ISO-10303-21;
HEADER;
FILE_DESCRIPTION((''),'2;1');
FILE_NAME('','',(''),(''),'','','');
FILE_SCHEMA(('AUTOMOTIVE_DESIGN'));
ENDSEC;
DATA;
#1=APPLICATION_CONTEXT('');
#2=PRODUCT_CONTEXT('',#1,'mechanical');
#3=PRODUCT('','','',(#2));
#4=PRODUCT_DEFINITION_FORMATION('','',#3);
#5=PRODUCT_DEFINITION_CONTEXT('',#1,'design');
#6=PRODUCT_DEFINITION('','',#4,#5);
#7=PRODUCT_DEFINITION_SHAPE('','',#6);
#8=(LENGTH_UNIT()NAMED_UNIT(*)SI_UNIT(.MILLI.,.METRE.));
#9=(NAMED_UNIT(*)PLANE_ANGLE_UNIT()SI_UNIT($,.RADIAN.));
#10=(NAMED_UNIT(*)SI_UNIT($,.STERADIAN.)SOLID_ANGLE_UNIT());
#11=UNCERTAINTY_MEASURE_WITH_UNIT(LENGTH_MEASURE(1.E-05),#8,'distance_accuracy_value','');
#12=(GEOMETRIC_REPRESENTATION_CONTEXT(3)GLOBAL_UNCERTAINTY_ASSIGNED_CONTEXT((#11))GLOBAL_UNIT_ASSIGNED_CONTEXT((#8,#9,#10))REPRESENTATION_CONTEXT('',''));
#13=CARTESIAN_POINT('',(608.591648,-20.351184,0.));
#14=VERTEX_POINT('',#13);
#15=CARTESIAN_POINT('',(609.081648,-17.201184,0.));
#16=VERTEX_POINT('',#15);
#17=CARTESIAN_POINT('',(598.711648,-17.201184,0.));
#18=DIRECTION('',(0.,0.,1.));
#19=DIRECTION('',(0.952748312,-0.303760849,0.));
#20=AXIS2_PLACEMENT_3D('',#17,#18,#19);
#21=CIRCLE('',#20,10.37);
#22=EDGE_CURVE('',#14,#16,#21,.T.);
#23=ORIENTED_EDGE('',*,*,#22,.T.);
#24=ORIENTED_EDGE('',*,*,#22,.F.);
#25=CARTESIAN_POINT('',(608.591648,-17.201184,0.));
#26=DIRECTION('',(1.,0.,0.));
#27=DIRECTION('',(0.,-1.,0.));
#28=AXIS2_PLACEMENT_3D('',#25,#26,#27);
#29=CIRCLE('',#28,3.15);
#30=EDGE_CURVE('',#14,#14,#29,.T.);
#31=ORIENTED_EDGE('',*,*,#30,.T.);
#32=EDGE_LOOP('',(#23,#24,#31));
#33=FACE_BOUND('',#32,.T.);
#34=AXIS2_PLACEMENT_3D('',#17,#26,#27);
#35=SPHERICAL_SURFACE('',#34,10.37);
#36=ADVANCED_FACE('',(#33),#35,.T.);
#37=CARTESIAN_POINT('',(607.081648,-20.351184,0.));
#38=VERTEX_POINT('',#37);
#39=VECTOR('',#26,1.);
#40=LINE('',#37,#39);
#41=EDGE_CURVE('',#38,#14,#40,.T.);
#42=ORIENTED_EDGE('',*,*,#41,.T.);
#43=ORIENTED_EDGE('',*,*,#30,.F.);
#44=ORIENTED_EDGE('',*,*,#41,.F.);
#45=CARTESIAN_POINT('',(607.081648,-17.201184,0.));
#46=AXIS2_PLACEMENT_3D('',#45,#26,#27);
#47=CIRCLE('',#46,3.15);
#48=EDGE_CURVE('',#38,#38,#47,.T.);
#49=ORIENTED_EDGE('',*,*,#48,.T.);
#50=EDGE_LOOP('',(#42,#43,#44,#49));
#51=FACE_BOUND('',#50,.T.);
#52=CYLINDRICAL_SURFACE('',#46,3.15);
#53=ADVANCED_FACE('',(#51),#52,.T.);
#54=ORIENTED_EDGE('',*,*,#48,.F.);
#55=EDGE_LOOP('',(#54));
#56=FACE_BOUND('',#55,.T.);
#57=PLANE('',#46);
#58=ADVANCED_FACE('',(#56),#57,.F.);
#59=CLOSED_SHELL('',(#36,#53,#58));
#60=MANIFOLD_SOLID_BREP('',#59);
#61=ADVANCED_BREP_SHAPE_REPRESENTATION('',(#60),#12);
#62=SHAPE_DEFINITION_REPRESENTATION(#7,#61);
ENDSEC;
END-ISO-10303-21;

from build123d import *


with BuildPart() as part:
    # 草图1 → 旋转1 (revolve)
    with BuildSketch(Plane.XY, mode=Mode.PRIVATE) as revolve_1_sk:
        with BuildLine():
            Line((607.081648003, -17.201183962), (607.081648003, -14.051183962))
            Line((607.081648003, -14.051183962), (608.591648003, -14.051183962))
            ThreePointArc((608.591648003, -14.051183962), (608.958415786, -15.607242307), (609.081648003, -17.201183962))
            Line((609.081648003, -17.201183962), (607.081648003, -17.201183962))
        make_face()
    revolve(revolve_1_sk.sketch.rotate(Axis((606.27593759, -17.201183962, 0), (1, 0, 0)), 180), axis=Axis((606.27593759, -17.201183962, 0), (1, 0, 0)))  # turned: the seam where the file's is


solid = part.part
